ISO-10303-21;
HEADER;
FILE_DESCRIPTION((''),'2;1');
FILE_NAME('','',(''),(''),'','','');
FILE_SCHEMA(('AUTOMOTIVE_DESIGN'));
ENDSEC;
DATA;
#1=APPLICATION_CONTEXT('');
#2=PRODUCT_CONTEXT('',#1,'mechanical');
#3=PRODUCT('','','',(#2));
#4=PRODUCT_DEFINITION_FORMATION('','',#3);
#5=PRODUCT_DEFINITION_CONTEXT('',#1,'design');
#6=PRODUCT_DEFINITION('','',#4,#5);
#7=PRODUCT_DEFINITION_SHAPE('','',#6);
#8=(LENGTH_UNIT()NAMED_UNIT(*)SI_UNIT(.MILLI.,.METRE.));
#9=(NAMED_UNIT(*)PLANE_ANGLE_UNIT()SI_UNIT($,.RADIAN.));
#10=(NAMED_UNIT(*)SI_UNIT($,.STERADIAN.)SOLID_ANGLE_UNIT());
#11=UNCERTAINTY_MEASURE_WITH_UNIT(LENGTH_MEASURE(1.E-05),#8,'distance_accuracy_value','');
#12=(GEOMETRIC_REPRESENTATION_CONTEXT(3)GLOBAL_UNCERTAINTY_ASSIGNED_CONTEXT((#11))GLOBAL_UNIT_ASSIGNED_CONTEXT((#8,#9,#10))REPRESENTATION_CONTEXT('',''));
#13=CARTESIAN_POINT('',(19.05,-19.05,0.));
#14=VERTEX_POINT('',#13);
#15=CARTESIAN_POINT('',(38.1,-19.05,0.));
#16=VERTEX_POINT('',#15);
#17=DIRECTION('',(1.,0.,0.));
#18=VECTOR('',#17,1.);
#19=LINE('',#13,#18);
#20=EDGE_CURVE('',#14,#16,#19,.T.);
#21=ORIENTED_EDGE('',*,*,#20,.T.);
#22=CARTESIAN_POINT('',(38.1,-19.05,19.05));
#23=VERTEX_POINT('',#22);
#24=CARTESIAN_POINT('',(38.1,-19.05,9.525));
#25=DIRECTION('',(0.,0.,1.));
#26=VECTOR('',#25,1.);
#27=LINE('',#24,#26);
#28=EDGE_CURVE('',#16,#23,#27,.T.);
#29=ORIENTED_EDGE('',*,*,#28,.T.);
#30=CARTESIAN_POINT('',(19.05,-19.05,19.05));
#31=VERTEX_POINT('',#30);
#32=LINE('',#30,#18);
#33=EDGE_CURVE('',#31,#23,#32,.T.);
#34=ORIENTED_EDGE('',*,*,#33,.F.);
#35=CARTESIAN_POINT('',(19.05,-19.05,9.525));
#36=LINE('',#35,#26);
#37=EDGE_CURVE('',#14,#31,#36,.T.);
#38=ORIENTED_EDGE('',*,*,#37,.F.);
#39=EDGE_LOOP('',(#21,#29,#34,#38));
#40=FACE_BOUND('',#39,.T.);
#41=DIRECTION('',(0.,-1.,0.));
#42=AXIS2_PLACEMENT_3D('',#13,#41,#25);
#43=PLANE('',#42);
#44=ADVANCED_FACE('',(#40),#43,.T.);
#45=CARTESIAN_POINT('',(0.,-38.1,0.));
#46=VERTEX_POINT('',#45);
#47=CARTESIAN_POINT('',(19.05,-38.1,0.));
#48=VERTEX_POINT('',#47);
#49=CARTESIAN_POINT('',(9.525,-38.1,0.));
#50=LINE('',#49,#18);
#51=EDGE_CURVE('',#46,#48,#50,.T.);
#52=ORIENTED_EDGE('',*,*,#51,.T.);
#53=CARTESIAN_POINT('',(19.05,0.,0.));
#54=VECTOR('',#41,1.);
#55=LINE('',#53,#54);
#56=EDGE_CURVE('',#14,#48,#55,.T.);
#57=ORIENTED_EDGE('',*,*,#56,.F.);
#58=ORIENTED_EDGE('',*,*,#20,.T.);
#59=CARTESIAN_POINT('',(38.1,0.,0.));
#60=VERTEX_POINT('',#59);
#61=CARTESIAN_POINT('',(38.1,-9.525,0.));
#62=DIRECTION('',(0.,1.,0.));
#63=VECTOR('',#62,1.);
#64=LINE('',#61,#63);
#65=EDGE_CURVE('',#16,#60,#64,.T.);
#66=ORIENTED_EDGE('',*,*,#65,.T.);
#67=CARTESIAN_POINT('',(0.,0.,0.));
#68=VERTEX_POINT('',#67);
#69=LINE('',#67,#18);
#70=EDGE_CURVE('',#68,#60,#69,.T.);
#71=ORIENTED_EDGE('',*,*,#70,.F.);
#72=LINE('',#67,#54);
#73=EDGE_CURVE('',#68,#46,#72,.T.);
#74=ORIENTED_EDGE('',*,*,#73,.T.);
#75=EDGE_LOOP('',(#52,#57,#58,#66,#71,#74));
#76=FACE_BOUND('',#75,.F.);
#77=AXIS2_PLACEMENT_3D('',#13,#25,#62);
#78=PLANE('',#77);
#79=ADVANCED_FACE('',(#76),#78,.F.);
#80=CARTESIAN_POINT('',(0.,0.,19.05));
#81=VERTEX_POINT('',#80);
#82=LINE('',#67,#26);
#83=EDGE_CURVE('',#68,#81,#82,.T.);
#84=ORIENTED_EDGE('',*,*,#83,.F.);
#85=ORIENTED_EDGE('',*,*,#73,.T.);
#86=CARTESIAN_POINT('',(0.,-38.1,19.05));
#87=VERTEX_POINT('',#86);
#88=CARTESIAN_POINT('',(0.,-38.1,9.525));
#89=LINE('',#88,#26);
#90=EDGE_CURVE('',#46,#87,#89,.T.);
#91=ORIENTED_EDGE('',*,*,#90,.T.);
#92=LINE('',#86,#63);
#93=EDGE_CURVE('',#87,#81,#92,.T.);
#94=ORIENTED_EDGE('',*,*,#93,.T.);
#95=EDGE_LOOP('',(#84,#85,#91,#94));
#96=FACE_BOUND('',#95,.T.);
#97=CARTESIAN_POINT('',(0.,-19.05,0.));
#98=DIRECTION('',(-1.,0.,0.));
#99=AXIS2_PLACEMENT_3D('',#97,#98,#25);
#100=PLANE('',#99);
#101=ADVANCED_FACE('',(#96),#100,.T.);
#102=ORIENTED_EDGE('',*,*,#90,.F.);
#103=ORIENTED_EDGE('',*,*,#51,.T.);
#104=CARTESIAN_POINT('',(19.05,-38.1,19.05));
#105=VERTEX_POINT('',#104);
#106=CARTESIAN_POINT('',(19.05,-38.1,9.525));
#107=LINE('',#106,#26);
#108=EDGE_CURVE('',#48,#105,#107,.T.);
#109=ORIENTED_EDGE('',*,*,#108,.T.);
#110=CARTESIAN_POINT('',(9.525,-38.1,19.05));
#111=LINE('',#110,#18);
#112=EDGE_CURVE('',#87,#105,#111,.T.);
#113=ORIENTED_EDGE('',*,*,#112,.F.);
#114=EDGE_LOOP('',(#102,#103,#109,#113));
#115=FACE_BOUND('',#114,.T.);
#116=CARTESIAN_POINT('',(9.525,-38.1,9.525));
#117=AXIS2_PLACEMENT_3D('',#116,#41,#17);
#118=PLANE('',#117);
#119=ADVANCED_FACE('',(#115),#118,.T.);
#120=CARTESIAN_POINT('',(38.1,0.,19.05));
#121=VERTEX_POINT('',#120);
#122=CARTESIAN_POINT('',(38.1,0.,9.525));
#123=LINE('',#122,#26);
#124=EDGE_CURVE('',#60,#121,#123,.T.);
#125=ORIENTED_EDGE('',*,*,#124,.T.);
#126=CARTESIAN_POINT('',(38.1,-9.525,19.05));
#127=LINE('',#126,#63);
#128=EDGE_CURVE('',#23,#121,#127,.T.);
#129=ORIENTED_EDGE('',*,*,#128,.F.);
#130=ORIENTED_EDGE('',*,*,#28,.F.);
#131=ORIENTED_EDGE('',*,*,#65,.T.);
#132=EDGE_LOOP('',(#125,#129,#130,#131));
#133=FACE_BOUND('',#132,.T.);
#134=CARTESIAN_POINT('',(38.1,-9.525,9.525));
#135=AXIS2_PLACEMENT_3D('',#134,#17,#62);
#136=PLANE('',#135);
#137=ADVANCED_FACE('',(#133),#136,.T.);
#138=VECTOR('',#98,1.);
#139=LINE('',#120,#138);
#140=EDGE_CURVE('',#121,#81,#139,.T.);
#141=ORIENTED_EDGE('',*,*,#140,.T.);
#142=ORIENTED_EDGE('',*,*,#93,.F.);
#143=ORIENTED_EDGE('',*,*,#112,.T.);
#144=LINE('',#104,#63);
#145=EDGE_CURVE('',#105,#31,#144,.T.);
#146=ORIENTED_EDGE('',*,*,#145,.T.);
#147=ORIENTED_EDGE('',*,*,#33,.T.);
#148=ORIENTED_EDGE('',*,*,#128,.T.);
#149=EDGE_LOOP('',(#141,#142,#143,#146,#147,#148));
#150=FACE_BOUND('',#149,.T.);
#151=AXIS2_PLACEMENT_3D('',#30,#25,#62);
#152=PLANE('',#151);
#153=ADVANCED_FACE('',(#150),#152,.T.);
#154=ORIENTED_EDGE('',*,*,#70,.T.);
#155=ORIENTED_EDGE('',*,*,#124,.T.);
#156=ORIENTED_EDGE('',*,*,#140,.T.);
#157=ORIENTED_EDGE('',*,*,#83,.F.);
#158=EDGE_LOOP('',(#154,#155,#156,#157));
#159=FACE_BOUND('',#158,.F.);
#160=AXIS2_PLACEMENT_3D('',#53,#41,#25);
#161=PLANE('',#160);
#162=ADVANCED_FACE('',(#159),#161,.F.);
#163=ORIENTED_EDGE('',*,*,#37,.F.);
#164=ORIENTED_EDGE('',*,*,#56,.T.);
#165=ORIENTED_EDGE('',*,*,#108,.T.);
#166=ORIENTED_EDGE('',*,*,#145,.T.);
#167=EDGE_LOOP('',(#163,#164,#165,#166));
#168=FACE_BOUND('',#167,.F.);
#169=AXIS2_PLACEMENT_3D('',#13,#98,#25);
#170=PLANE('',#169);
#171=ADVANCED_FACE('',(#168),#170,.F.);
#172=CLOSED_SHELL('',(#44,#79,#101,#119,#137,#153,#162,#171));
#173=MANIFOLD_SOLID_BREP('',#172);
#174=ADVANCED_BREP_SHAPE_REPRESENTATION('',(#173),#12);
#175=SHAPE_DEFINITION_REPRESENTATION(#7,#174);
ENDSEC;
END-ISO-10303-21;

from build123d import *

# Parameters (mm, degrees)
F0_W     = 19.05
F0_H     = 19.05
F1_DEPTH = 19.05
F2_W     = 19.05
F2_H     = 19.05
F3_DEPTH = 19.05
F4_W     = 19.05
F4_H     = 19.05
F5_DEPTH = 19.05


with BuildPart() as f1:
    # F0 (on Top) → F1 (new body)
    with BuildSketch(Plane.XY):
        with Locations((9.525, -9.525)):
            Rectangle(F0_W, F0_H)
    extrude(amount=F1_DEPTH)

    # F2 (on face) → F3 (join)
    with BuildSketch(Plane.XZ.offset(19.05)):
        with Locations((9.525, 9.525)):
            Rectangle(F2_W, F2_H)
    extrude(amount=F3_DEPTH)

    # F4 (on face) → F5 (join)
    with BuildSketch(Plane.YZ.offset(19.05)):
        with Locations((-9.525, 9.525)):
            Rectangle(F4_W, F4_H)
    extrude(amount=F5_DEPTH)


solid = f1.part
